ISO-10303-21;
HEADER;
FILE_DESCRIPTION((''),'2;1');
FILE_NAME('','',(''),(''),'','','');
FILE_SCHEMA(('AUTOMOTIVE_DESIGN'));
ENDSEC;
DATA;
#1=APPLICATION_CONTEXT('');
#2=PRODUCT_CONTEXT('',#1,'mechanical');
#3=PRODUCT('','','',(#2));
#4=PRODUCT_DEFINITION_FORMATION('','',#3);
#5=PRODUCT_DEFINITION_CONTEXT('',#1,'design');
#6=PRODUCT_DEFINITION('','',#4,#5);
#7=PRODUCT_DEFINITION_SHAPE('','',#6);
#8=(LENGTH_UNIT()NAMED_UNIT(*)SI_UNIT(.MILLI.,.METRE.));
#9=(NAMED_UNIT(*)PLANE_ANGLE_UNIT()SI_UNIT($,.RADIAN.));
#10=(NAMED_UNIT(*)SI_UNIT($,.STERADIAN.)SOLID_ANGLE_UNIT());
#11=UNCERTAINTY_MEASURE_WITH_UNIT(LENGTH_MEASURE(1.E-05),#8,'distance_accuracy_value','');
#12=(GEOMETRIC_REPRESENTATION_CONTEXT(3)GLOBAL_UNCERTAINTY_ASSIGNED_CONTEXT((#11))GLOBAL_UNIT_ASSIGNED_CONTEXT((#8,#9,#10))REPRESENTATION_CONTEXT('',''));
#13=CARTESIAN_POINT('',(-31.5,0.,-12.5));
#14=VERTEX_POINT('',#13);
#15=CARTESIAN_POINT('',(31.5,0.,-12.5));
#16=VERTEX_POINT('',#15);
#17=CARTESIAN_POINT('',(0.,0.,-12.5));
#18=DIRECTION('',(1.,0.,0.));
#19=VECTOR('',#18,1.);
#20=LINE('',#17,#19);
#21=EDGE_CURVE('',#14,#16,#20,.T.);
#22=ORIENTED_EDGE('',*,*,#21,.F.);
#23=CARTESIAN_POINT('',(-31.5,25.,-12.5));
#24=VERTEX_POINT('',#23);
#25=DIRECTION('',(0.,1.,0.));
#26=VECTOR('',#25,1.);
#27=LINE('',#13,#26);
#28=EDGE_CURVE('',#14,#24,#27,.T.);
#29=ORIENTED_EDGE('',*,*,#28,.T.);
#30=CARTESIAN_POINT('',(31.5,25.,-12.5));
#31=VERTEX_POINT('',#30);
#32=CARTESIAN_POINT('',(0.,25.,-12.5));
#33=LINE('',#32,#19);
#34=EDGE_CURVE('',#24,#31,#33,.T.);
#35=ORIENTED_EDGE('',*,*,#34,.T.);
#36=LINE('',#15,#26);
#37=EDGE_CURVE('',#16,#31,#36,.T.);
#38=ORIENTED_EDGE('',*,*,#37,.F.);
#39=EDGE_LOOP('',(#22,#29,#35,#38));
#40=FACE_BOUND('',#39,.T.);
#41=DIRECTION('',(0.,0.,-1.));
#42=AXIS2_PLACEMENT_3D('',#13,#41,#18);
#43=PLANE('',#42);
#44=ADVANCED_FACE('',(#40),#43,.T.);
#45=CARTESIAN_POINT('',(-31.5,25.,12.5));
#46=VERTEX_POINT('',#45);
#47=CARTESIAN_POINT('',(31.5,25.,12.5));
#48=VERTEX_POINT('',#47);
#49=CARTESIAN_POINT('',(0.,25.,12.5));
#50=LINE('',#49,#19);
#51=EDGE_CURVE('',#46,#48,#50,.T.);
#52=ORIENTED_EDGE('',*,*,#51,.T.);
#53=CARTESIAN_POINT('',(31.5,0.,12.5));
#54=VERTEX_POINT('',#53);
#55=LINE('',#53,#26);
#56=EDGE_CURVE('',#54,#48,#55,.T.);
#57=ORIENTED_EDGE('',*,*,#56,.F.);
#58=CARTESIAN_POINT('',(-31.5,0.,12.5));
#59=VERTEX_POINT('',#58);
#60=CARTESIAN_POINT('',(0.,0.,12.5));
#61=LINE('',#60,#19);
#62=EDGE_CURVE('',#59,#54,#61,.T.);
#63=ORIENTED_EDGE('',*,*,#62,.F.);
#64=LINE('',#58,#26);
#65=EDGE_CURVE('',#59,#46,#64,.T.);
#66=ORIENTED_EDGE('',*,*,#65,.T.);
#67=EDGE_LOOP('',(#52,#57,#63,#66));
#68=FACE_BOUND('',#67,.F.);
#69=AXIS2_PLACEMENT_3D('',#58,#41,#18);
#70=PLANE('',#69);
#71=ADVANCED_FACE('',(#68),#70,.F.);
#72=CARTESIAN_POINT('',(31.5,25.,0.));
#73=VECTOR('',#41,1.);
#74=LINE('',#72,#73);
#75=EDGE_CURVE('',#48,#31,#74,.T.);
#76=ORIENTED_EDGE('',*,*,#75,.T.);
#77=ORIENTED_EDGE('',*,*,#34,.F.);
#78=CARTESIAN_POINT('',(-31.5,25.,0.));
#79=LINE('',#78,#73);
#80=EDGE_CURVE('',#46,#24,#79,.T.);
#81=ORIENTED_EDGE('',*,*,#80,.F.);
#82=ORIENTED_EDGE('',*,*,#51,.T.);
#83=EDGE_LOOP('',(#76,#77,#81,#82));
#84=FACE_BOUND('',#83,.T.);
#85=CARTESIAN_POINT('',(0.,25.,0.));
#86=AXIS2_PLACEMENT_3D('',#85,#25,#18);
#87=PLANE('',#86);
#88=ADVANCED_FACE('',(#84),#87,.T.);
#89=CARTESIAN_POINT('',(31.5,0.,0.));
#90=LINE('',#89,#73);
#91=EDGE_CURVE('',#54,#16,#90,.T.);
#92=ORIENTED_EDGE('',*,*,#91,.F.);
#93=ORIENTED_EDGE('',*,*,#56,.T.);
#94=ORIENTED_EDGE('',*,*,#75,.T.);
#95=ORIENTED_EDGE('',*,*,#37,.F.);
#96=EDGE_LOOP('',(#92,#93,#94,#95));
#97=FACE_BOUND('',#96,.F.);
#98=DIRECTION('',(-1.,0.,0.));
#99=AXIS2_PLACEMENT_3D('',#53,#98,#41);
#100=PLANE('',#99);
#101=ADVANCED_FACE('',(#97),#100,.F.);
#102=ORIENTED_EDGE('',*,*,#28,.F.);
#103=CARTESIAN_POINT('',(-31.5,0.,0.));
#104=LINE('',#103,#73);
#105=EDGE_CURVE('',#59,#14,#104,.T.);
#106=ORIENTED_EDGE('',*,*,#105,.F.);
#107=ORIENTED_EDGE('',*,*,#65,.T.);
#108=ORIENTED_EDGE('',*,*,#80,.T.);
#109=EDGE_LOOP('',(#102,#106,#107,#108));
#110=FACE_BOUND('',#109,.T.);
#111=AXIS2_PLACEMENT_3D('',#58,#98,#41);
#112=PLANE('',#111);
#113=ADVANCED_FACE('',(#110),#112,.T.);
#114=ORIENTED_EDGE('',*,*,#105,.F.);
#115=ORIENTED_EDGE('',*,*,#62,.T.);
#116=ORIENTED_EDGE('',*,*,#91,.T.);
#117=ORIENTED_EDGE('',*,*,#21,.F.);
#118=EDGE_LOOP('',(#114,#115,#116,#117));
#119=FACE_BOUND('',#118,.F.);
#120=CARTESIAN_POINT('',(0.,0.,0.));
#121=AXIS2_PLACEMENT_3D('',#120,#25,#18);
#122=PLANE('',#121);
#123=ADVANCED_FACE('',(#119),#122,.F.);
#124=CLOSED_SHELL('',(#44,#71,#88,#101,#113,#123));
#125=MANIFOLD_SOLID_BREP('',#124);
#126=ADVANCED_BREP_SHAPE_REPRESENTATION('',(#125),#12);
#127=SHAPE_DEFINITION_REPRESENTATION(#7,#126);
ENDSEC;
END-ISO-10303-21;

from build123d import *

# Parameters (mm, degrees)
SKETCH1_W           = 63
SKETCH1_H           = 25
BOSS_EXTRUDE1_DEPTH = 25


with BuildPart() as part:
    # Sketch1 → Boss-Extrude1 (new body)
    with BuildSketch(Plane(origin=(0, 0, 0), x_dir=(1, 0, 0), z_dir=(0, 1, 0))):
        Rectangle(SKETCH1_W, SKETCH1_H)
    extrude(amount=BOSS_EXTRUDE1_DEPTH)


solid = part.part
